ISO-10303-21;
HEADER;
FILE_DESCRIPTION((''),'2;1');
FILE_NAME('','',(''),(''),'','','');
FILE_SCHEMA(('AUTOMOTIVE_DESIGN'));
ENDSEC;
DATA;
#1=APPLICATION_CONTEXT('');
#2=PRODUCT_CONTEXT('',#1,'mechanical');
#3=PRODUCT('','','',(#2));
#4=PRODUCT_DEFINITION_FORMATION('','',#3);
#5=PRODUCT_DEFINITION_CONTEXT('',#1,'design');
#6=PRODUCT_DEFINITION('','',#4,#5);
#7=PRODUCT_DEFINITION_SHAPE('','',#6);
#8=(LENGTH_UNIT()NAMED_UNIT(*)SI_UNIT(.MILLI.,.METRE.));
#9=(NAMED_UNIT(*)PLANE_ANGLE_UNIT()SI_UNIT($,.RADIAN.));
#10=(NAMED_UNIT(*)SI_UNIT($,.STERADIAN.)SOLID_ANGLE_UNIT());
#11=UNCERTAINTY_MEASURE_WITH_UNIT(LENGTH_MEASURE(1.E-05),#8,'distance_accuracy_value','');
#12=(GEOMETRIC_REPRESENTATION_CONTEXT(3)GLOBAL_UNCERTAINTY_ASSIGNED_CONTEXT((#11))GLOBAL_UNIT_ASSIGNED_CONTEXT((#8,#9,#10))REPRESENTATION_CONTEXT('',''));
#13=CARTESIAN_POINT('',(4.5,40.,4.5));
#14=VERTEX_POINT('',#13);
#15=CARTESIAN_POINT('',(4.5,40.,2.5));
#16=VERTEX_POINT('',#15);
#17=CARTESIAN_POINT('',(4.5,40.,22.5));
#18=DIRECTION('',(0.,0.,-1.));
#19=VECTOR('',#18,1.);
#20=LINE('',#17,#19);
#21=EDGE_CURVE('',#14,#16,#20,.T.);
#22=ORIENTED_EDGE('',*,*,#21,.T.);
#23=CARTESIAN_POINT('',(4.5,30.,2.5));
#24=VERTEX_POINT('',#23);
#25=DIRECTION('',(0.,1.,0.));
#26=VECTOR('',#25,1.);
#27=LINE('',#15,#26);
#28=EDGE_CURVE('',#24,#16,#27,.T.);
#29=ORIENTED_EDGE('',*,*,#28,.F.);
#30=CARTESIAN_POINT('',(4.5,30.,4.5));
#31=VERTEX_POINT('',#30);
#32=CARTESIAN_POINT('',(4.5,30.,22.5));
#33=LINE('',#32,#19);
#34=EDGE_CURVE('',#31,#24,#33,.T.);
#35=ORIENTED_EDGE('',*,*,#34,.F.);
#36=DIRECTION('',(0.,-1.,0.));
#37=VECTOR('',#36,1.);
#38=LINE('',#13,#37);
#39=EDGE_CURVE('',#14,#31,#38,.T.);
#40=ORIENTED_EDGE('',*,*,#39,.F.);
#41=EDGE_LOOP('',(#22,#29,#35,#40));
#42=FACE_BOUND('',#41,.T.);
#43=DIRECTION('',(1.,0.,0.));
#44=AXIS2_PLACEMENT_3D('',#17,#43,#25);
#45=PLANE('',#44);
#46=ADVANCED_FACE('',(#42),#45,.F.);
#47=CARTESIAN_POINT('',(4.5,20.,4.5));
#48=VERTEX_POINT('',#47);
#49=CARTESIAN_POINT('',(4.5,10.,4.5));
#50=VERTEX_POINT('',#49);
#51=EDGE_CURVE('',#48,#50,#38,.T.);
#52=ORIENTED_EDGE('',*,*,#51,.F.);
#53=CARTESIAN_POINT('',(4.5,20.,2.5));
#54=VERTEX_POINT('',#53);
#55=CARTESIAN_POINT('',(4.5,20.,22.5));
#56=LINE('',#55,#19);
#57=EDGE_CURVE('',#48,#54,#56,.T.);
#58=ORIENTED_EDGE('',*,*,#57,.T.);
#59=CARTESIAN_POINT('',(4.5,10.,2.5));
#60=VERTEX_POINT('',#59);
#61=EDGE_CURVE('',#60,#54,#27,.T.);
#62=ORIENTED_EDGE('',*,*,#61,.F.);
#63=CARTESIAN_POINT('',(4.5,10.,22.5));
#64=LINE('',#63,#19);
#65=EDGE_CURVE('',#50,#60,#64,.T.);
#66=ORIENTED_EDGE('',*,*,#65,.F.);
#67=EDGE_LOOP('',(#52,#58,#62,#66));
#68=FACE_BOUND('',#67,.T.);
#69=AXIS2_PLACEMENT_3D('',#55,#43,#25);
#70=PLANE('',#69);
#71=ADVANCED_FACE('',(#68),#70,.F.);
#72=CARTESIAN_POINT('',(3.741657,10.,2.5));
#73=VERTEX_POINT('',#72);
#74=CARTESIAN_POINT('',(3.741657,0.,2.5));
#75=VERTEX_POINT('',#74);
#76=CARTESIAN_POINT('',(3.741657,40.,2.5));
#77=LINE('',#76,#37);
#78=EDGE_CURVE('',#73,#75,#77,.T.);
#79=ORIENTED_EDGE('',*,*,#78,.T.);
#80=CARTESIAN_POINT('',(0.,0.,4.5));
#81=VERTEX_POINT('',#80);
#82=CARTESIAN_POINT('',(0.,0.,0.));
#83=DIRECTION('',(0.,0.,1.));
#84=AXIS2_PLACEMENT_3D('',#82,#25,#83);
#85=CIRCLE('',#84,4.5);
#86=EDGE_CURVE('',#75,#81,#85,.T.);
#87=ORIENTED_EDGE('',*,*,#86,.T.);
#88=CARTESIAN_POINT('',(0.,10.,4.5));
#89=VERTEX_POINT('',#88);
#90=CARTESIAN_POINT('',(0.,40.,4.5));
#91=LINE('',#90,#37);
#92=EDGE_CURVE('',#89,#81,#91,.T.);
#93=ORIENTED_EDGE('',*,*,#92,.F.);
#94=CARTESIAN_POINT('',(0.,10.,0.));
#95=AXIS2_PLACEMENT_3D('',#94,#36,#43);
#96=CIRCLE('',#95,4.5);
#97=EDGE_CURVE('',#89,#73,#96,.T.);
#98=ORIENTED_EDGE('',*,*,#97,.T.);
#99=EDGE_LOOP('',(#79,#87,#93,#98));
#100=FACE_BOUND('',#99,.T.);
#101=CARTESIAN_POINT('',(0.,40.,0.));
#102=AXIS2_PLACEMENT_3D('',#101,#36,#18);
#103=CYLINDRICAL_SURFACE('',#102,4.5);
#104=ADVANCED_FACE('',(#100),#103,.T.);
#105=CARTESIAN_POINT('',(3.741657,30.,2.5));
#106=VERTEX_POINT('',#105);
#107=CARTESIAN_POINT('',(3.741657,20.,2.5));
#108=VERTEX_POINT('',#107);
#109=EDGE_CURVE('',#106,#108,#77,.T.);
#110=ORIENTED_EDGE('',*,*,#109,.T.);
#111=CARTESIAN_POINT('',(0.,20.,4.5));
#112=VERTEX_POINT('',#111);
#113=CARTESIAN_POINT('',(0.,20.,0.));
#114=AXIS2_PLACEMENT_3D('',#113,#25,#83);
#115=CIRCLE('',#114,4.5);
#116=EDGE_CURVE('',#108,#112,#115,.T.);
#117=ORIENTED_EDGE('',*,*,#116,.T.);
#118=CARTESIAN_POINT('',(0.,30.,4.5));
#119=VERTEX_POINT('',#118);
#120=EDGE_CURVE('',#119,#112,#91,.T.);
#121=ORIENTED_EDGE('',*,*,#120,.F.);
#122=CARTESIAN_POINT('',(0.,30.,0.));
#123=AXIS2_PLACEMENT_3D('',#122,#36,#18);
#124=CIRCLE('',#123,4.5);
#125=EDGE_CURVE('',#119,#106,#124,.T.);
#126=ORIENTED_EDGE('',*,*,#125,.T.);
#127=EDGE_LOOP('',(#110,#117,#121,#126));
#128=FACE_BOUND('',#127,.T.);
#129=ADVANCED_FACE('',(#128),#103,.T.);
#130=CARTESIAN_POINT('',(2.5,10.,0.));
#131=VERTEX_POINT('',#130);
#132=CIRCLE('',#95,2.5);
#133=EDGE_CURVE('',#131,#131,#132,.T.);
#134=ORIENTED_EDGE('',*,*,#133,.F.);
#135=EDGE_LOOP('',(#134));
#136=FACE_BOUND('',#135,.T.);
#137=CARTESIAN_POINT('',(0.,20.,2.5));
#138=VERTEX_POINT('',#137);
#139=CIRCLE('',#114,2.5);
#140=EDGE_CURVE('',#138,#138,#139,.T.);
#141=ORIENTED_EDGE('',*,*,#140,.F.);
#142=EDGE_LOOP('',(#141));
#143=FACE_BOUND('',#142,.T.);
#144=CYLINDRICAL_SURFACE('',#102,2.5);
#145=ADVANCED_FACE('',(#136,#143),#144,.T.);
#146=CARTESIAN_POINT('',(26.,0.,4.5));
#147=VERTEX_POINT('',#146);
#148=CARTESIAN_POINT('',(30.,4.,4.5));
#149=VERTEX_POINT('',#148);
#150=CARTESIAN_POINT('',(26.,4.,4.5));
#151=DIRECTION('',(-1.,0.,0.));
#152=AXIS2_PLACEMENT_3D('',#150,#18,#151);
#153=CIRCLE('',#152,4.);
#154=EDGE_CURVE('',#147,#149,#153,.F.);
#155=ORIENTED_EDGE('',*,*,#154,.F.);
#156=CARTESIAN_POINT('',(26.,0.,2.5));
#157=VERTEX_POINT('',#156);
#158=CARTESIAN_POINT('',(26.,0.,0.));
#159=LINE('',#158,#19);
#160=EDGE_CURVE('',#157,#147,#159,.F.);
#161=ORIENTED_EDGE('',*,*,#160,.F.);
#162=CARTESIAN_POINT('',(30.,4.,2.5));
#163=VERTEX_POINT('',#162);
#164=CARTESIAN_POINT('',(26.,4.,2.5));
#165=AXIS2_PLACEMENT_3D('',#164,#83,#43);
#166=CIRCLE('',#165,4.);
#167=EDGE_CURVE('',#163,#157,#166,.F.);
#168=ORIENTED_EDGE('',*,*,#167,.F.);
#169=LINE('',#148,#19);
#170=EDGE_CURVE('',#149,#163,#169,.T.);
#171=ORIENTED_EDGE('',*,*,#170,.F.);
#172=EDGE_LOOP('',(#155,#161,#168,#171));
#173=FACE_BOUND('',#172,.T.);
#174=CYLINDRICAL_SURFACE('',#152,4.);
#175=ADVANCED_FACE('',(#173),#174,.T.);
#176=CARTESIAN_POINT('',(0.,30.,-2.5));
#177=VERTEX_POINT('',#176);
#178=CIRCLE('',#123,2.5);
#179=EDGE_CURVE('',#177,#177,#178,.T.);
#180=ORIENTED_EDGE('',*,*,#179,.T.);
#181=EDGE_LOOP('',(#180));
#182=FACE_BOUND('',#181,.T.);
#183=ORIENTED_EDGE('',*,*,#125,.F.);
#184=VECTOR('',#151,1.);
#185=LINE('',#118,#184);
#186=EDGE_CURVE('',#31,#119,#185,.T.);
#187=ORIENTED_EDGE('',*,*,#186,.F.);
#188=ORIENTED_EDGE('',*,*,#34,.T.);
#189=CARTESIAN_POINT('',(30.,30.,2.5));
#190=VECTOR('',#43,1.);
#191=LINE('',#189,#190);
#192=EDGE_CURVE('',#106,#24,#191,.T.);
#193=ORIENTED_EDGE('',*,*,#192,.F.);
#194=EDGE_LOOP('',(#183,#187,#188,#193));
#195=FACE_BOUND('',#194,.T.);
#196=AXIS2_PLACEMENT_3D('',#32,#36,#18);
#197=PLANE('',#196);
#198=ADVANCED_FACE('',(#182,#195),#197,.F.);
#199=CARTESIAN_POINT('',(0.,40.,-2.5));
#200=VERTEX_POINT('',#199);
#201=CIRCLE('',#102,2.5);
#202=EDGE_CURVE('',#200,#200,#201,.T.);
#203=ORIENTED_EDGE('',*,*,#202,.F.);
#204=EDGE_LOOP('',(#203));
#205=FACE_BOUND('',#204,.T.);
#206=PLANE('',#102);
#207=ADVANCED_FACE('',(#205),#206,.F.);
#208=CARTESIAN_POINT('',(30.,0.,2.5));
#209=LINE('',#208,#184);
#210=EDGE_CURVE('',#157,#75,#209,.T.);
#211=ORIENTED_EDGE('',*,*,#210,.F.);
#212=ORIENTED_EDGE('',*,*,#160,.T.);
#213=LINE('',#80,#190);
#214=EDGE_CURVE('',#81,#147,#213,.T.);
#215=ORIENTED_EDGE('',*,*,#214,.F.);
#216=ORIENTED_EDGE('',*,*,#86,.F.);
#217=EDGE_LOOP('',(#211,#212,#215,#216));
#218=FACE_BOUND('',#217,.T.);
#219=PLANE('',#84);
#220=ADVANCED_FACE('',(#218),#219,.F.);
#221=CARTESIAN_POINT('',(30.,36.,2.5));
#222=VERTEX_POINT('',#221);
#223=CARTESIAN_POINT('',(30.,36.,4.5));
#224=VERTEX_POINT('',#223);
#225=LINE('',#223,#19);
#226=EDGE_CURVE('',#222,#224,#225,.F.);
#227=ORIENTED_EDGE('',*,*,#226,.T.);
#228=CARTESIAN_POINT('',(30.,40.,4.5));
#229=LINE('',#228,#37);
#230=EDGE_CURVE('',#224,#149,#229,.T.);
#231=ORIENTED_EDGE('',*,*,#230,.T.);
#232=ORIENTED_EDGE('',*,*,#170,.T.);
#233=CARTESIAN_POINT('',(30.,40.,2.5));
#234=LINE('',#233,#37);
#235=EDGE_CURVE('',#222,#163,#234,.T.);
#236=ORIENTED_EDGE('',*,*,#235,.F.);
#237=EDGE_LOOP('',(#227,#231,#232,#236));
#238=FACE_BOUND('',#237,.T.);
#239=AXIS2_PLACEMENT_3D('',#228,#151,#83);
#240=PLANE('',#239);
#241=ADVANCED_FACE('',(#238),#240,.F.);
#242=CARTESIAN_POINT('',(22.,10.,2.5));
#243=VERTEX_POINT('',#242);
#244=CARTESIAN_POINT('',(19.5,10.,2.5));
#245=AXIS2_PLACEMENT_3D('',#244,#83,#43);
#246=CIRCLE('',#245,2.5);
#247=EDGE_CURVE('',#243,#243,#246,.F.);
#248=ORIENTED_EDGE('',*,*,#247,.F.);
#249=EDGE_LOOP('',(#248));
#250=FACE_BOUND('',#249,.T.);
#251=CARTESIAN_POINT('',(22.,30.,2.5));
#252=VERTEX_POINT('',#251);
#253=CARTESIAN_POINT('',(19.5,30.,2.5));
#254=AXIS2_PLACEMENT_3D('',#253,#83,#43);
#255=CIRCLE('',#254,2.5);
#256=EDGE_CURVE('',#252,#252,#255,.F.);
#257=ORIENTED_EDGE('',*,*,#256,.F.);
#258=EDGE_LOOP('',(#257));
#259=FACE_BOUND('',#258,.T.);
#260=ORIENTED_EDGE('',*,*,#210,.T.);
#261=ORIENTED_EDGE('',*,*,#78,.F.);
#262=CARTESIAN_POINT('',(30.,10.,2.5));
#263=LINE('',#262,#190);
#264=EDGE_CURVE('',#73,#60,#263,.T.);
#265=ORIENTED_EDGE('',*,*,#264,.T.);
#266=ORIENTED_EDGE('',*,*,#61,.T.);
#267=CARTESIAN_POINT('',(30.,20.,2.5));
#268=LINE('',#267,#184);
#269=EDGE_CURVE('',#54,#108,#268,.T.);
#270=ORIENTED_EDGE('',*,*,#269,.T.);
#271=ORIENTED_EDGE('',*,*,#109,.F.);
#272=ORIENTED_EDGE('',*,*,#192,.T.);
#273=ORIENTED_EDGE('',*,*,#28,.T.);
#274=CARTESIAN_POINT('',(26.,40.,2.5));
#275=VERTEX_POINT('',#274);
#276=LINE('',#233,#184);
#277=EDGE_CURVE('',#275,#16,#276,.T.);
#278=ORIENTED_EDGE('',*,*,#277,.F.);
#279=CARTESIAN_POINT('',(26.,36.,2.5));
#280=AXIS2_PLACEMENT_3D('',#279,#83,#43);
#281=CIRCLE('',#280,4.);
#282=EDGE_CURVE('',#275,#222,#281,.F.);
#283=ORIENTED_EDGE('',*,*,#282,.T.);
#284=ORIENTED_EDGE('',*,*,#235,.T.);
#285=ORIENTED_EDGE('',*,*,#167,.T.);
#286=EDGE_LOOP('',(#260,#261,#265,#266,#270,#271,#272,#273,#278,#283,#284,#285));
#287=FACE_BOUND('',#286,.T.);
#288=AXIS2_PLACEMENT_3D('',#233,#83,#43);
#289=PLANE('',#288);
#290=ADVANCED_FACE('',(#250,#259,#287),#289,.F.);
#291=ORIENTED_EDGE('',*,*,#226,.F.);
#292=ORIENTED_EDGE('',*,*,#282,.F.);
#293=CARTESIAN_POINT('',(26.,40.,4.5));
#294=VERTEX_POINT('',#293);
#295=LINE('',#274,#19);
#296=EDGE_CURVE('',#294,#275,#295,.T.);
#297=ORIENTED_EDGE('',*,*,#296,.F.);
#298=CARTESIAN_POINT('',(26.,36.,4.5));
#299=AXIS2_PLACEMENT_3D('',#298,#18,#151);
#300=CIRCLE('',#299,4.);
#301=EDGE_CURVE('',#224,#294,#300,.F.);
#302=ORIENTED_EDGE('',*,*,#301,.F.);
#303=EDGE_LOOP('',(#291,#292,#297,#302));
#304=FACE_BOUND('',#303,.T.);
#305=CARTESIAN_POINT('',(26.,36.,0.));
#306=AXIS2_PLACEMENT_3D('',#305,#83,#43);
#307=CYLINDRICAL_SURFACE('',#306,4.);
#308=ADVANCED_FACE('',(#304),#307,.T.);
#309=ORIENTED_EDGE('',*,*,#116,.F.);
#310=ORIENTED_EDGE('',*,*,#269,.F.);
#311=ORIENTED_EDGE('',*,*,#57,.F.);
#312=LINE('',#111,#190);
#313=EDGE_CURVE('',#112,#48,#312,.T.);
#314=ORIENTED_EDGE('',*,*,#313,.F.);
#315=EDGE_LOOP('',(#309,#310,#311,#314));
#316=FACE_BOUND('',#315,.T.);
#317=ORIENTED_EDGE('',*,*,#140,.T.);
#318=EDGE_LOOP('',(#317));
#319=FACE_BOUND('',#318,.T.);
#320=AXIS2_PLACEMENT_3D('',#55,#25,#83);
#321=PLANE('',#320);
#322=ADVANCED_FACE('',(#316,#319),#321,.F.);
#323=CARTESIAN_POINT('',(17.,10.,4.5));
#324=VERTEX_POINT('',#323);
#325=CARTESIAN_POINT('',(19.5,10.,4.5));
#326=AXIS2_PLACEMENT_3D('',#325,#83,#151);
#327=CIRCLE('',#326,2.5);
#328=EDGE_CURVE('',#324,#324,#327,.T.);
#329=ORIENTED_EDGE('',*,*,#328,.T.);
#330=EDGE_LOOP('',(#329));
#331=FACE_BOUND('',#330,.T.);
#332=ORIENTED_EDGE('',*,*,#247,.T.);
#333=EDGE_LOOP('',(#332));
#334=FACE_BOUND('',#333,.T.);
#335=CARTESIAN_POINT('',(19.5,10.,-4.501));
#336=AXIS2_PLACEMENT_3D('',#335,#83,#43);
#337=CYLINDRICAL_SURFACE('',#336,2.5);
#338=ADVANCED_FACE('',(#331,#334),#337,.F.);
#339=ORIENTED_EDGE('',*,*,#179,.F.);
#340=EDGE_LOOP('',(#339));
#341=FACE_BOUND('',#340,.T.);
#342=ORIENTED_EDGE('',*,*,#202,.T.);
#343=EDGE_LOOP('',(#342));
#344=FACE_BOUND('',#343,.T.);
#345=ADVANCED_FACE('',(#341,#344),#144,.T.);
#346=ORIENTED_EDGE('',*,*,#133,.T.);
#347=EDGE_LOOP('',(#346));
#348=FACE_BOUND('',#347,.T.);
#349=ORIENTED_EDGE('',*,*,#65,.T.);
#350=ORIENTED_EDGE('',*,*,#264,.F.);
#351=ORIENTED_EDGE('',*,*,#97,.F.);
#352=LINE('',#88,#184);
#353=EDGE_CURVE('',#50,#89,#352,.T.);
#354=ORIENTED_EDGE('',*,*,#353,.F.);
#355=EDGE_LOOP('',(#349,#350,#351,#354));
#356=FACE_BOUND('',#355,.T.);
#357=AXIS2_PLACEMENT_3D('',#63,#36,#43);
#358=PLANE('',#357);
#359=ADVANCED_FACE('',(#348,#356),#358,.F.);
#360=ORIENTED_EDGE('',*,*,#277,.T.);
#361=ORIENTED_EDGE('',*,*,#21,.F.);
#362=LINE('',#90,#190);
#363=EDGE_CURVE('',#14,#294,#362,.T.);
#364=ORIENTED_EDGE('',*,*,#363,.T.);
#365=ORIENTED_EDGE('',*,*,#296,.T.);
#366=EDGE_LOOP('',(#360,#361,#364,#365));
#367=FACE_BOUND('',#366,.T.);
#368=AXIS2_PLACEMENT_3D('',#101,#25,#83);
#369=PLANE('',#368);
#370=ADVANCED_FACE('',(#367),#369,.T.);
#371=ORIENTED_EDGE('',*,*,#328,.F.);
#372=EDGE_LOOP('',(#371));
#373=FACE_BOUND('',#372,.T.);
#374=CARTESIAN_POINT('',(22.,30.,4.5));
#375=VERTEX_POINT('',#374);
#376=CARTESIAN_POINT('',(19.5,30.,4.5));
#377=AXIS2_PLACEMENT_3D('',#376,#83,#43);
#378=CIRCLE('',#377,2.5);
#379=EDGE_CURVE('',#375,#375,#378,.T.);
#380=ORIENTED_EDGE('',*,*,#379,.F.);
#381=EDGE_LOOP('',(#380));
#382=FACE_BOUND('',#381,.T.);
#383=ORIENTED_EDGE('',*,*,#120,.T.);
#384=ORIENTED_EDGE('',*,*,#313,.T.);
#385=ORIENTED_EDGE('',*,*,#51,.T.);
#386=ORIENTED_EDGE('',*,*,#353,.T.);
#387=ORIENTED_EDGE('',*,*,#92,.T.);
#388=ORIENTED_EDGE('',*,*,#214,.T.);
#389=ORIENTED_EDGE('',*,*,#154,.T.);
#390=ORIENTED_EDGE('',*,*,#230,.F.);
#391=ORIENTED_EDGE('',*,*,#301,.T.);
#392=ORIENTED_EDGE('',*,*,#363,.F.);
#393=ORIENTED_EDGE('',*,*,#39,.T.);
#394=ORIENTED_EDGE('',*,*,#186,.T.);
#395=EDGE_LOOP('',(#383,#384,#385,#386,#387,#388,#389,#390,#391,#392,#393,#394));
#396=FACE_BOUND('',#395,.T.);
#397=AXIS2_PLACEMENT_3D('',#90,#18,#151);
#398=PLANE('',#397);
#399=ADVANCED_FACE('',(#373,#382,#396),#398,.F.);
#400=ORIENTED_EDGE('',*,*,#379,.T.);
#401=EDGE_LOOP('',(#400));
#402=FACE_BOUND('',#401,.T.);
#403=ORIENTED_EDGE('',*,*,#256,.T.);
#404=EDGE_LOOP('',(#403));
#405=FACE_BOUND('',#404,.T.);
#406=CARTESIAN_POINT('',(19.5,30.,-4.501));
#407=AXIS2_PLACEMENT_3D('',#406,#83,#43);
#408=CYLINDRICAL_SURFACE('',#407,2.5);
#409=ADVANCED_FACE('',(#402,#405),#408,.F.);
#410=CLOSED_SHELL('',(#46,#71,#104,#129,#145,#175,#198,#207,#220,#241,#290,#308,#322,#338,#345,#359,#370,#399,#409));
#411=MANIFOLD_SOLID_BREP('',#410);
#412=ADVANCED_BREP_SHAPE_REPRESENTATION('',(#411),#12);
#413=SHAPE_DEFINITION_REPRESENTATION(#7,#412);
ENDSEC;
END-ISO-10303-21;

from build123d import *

# Parameters (mm, degrees)
SKETCH_1_R          = 2.5
EXTRUDE_1_DEPTH     = 40
CUT_EXTRUDE_1_REACH = 52.804
SKETCH_2_R          = 2.5
SKETCH_3_W          = 9
SKETCH_3_H          = 10
CUT_EXTRUDE_2_DEPTH = 20
FILLET_1_R          = 4
SKETCH_4_R          = 2.5
EXTRUDE_2_DEPTH     = 40


with BuildPart() as part:
    # 草图1 → 凸台-拉伸1 (new body)
    with BuildSketch(Plane(origin=(0, 0, 0), x_dir=(1, 0, 0), z_dir=(0, 1, 0))):
        with BuildLine():
            Line((0, -4.5), (30, -4.5))
            Line((30, -4.5), (30, -2.5))
            Line((30, -2.5), (3.741657387, -2.5))
            ThreePointArc((3.741657387, -2.5), (-2.121320344, 3.968626967), (0, -4.5))
        make_face()
        with Locations(Location((0, 0, 0), (0, 0, 270))):
            Circle(SKETCH_1_R, mode=Mode.SUBTRACT)
    extrude(amount=EXTRUDE_1_DEPTH)

    # 草图2 → 切除-拉伸1 (cut, up to next)
    with BuildSketch(Plane.XY.offset(4.5), mode=Mode.PRIVATE) as cut_extrude_1_sk1:
        with Locations((19.5, 30)):
            Circle(SKETCH_2_R)
    cut_extrude_1_tool1 = extrude(cut_extrude_1_sk1.sketch, amount=-CUT_EXTRUDE_1_REACH, mode=Mode.PRIVATE) & part.part
    # 草图2 → 切除-拉伸1 (cut, up to next)
    with BuildSketch(Plane.XY.offset(4.5), mode=Mode.PRIVATE) as cut_extrude_1_sk2:
        with Locations((19.5, 10)):
            Circle(SKETCH_2_R)
    cut_extrude_1_tool2 = extrude(cut_extrude_1_sk2.sketch, amount=-CUT_EXTRUDE_1_REACH, mode=Mode.PRIVATE) & part.part
    add(cut_extrude_1_tool1.solids().sort_by_distance((19.5, 30, 4.5))[0], mode=Mode.SUBTRACT)
    add(cut_extrude_1_tool2.solids().sort_by_distance((19.5, 10, 4.5))[0], mode=Mode.SUBTRACT)

    # 草图3 → 切除-拉伸2 (cut, symmetric)
    with BuildSketch(Plane(origin=(0, 0, 2.5), x_dir=(-1, 0, 0), z_dir=(0, 0, -1))):
        with Locations((0, 35)):
            Rectangle(SKETCH_3_W, SKETCH_3_H)
        with Locations((0, 15)):
            Rectangle(SKETCH_3_W, SKETCH_3_H)
    extrude(amount=CUT_EXTRUDE_2_DEPTH, both=True, mode=Mode.SUBTRACT)

    # 圆角1
    fillet_1_edges = [part.edges().sort_by_distance(p)[0] for p in [
        (30, 40, 3.5),
        (30, 0, 3.5),
    ]]
    fillet(fillet_1_edges, radius=FILLET_1_R)

    # 草图4 → 凸台-拉伸2 (add)
    with BuildSketch(Plane.XZ):
        with Locations(Location((0, 0, 0), (0, 0, 270))):
            Circle(SKETCH_4_R)
    extrude(amount=-EXTRUDE_2_DEPTH)


solid = part.part
